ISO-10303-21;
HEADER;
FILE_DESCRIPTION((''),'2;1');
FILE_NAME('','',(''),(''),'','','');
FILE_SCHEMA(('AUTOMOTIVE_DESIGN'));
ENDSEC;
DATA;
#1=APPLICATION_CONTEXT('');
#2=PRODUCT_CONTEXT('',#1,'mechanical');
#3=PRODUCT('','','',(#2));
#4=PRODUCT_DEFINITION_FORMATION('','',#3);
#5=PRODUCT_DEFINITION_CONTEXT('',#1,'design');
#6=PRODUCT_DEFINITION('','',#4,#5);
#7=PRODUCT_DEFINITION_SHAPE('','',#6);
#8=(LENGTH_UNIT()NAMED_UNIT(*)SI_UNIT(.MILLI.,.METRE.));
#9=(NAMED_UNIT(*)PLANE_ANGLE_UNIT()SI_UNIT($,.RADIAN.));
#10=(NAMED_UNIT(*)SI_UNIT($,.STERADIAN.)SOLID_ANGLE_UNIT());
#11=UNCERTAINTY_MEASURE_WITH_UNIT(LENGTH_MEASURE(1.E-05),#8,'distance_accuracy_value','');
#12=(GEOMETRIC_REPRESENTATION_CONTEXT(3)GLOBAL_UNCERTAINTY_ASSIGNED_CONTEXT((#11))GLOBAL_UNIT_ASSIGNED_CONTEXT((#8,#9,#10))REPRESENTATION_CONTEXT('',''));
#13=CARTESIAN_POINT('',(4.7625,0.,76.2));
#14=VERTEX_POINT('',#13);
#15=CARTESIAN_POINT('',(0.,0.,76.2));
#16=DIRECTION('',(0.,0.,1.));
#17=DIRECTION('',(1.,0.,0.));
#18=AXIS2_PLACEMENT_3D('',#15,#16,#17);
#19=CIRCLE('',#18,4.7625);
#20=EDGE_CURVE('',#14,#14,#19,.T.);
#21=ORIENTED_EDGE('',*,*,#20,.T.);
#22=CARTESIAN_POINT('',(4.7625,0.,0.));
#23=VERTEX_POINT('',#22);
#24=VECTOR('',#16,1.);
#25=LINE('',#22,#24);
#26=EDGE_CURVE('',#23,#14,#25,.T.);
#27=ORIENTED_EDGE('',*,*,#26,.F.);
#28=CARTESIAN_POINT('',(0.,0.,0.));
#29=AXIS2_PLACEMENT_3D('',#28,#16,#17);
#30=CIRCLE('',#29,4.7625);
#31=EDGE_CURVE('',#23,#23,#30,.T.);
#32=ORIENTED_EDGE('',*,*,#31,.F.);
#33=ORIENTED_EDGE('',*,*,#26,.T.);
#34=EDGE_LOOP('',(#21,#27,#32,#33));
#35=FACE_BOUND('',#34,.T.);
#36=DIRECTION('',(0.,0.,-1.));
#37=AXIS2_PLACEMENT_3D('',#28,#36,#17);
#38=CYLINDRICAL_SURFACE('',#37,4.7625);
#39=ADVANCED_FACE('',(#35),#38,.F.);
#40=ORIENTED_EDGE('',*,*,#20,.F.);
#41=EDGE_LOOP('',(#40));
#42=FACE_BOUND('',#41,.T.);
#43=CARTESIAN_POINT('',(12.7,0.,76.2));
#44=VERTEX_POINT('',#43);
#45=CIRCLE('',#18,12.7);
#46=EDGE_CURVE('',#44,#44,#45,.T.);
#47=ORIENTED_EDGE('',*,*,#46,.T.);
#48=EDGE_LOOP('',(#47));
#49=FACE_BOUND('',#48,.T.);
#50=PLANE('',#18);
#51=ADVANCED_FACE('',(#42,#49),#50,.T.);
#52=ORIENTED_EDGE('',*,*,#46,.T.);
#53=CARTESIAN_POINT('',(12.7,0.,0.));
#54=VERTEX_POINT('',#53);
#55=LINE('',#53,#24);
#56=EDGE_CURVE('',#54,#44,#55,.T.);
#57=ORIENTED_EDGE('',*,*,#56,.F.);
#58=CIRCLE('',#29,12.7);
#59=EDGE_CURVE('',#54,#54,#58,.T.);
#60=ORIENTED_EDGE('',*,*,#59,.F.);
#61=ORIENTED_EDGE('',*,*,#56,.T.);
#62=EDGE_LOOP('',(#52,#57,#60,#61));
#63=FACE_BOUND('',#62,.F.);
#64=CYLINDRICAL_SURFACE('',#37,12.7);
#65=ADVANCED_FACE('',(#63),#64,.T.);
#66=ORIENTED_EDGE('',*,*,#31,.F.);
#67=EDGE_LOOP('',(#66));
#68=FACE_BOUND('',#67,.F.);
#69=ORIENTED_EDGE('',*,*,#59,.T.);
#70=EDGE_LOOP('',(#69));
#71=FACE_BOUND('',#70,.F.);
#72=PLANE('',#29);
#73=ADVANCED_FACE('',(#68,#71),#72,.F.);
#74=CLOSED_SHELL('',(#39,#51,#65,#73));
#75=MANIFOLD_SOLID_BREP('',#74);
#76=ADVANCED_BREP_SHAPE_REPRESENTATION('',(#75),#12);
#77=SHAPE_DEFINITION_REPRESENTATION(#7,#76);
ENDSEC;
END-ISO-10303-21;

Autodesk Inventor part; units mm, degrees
ref_plane "YZ Plane" through (0, 0, 0) normal (1, 0, 0) x (0, 1, 0)
ref_plane "XZ Plane" through (0, 0, 0) normal (0, 1, 0) x (-1, 0, 0)
ref_plane "XY Plane" through (0, 0, 0) normal (0, 0, 1) x (1, 0, 0)
sketch "Sketch1" plane through (0, 0, 0) normal (0, 0, 1) x (1, 0, 0)
  circle A0 centre (0, 0) radius 12.7
  circle A1 centre (0, 0) radius 4.7625
  dimension "d0" = 25.4
  dimension "d3" = 9.525
extrude "Extrusion4" add sketch "Sketch1" along normal blind 76.2
properties part number "RollerBearingLong"
